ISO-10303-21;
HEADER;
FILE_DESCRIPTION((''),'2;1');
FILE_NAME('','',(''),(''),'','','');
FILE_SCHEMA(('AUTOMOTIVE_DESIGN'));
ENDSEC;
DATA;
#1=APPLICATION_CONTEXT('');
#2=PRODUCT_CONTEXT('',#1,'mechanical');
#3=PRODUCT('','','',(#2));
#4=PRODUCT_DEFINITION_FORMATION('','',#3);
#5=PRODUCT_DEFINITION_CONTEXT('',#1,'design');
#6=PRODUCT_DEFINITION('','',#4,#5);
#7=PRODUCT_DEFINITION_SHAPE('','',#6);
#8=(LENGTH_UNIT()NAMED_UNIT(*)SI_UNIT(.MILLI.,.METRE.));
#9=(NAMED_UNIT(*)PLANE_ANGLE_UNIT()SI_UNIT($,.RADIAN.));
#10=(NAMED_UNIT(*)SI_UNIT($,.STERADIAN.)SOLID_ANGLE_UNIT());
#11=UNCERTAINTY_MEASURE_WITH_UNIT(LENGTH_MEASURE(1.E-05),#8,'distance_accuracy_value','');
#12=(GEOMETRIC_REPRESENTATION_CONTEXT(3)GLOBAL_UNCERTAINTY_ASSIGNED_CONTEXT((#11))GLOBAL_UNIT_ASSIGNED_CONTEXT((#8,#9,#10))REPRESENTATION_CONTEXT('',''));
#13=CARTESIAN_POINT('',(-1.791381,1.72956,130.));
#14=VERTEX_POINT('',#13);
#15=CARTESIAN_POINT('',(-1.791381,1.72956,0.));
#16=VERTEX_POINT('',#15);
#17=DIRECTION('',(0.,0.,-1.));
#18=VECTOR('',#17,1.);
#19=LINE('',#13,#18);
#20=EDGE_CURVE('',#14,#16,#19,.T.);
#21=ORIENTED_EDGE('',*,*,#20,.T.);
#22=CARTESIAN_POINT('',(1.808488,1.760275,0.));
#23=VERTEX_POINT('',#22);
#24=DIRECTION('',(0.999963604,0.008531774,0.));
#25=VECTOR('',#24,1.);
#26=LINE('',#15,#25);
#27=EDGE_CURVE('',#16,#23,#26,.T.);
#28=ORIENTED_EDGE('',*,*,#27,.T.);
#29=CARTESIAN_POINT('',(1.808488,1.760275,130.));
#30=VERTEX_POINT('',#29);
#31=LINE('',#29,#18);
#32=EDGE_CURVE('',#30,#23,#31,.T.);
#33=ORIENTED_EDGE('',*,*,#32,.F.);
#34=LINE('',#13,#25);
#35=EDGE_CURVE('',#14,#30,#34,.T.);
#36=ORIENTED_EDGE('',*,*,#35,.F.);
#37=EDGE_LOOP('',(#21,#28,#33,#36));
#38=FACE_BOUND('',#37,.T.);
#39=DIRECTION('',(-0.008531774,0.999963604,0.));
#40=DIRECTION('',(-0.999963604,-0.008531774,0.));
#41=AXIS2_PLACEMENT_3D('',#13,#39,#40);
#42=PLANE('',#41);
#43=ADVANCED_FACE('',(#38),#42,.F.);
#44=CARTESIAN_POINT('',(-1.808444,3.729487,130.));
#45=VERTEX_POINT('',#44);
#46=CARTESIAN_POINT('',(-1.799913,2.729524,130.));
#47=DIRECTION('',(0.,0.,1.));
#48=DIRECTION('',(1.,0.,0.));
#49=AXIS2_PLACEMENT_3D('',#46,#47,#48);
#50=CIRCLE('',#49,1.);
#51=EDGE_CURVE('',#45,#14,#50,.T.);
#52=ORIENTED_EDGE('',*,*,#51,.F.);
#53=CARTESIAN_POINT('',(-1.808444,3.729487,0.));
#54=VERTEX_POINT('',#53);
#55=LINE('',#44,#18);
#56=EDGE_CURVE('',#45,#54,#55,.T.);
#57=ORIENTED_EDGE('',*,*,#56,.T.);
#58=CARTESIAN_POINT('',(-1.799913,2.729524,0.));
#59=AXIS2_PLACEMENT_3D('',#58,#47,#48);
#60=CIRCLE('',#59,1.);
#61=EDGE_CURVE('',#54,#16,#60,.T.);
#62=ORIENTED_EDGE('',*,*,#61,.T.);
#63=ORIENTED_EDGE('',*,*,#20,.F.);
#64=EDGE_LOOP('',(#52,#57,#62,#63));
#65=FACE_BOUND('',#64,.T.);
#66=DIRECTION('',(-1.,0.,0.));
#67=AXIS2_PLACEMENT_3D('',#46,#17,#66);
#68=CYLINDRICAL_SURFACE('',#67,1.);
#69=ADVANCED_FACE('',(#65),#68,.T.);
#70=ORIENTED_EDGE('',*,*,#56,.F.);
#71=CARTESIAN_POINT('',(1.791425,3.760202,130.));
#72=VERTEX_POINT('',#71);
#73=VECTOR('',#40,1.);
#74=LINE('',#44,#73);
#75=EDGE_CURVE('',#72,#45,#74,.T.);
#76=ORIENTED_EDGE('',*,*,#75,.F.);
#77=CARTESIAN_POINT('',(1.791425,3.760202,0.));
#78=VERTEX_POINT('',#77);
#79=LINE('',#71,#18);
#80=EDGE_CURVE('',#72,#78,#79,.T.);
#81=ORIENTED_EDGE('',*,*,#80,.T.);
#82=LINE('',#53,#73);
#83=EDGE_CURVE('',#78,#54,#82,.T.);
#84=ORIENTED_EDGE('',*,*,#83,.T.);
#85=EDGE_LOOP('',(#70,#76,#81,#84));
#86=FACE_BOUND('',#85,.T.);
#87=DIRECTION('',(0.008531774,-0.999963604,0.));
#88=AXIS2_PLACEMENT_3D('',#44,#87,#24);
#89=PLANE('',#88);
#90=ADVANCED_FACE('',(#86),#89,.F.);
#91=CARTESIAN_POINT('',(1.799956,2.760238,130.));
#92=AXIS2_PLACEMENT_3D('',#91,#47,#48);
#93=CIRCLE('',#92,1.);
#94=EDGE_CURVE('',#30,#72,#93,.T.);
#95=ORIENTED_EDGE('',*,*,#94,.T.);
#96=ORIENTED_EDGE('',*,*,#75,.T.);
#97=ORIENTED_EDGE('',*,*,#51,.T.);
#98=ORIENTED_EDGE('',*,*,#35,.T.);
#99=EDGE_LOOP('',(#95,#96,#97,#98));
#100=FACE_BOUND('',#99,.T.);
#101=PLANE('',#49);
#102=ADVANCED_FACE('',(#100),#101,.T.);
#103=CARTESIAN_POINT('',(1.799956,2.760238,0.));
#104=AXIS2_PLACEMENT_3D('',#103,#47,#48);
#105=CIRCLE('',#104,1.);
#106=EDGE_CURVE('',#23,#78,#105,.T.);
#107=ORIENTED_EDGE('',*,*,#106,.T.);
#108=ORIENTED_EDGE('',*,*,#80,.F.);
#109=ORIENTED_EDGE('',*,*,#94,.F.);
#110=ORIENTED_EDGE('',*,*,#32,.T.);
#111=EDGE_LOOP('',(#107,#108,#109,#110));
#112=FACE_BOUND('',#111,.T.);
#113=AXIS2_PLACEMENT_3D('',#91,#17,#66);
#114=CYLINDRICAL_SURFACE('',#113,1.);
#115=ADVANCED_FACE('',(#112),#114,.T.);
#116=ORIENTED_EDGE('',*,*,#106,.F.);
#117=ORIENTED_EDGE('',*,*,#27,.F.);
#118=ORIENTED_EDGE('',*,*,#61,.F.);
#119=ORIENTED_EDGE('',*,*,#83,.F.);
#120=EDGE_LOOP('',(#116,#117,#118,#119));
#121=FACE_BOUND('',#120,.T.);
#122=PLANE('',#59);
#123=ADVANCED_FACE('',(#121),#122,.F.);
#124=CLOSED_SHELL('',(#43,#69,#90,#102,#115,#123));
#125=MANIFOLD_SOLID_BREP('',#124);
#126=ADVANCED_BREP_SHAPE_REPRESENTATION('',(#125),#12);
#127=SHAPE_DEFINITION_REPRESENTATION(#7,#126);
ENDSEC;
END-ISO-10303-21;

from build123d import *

# Parameters (mm, degrees)
SALIENTE_EXTRUIR1_DEPTH = 130


with BuildPart() as part:
    # Croquis1 → Saliente-Extruir1 (new body)
    with BuildSketch(Plane.XY):
        with BuildLine():
            Line((-1.808444423, 3.729487345), (1.79142455, 3.760201733))
            ThreePointArc((1.79142455, 3.760201733), (2.799919928, 2.768769904), (1.808488099, 1.760274525))
            Line((1.808488099, 1.760274525), (-1.791380875, 1.729560138))
            ThreePointArc((-1.791380875, 1.729560138), (-2.799876253, 2.720991967), (-1.808444423, 3.729487345))
        make_face()
    extrude(amount=SALIENTE_EXTRUIR1_DEPTH)


solid = part.part
